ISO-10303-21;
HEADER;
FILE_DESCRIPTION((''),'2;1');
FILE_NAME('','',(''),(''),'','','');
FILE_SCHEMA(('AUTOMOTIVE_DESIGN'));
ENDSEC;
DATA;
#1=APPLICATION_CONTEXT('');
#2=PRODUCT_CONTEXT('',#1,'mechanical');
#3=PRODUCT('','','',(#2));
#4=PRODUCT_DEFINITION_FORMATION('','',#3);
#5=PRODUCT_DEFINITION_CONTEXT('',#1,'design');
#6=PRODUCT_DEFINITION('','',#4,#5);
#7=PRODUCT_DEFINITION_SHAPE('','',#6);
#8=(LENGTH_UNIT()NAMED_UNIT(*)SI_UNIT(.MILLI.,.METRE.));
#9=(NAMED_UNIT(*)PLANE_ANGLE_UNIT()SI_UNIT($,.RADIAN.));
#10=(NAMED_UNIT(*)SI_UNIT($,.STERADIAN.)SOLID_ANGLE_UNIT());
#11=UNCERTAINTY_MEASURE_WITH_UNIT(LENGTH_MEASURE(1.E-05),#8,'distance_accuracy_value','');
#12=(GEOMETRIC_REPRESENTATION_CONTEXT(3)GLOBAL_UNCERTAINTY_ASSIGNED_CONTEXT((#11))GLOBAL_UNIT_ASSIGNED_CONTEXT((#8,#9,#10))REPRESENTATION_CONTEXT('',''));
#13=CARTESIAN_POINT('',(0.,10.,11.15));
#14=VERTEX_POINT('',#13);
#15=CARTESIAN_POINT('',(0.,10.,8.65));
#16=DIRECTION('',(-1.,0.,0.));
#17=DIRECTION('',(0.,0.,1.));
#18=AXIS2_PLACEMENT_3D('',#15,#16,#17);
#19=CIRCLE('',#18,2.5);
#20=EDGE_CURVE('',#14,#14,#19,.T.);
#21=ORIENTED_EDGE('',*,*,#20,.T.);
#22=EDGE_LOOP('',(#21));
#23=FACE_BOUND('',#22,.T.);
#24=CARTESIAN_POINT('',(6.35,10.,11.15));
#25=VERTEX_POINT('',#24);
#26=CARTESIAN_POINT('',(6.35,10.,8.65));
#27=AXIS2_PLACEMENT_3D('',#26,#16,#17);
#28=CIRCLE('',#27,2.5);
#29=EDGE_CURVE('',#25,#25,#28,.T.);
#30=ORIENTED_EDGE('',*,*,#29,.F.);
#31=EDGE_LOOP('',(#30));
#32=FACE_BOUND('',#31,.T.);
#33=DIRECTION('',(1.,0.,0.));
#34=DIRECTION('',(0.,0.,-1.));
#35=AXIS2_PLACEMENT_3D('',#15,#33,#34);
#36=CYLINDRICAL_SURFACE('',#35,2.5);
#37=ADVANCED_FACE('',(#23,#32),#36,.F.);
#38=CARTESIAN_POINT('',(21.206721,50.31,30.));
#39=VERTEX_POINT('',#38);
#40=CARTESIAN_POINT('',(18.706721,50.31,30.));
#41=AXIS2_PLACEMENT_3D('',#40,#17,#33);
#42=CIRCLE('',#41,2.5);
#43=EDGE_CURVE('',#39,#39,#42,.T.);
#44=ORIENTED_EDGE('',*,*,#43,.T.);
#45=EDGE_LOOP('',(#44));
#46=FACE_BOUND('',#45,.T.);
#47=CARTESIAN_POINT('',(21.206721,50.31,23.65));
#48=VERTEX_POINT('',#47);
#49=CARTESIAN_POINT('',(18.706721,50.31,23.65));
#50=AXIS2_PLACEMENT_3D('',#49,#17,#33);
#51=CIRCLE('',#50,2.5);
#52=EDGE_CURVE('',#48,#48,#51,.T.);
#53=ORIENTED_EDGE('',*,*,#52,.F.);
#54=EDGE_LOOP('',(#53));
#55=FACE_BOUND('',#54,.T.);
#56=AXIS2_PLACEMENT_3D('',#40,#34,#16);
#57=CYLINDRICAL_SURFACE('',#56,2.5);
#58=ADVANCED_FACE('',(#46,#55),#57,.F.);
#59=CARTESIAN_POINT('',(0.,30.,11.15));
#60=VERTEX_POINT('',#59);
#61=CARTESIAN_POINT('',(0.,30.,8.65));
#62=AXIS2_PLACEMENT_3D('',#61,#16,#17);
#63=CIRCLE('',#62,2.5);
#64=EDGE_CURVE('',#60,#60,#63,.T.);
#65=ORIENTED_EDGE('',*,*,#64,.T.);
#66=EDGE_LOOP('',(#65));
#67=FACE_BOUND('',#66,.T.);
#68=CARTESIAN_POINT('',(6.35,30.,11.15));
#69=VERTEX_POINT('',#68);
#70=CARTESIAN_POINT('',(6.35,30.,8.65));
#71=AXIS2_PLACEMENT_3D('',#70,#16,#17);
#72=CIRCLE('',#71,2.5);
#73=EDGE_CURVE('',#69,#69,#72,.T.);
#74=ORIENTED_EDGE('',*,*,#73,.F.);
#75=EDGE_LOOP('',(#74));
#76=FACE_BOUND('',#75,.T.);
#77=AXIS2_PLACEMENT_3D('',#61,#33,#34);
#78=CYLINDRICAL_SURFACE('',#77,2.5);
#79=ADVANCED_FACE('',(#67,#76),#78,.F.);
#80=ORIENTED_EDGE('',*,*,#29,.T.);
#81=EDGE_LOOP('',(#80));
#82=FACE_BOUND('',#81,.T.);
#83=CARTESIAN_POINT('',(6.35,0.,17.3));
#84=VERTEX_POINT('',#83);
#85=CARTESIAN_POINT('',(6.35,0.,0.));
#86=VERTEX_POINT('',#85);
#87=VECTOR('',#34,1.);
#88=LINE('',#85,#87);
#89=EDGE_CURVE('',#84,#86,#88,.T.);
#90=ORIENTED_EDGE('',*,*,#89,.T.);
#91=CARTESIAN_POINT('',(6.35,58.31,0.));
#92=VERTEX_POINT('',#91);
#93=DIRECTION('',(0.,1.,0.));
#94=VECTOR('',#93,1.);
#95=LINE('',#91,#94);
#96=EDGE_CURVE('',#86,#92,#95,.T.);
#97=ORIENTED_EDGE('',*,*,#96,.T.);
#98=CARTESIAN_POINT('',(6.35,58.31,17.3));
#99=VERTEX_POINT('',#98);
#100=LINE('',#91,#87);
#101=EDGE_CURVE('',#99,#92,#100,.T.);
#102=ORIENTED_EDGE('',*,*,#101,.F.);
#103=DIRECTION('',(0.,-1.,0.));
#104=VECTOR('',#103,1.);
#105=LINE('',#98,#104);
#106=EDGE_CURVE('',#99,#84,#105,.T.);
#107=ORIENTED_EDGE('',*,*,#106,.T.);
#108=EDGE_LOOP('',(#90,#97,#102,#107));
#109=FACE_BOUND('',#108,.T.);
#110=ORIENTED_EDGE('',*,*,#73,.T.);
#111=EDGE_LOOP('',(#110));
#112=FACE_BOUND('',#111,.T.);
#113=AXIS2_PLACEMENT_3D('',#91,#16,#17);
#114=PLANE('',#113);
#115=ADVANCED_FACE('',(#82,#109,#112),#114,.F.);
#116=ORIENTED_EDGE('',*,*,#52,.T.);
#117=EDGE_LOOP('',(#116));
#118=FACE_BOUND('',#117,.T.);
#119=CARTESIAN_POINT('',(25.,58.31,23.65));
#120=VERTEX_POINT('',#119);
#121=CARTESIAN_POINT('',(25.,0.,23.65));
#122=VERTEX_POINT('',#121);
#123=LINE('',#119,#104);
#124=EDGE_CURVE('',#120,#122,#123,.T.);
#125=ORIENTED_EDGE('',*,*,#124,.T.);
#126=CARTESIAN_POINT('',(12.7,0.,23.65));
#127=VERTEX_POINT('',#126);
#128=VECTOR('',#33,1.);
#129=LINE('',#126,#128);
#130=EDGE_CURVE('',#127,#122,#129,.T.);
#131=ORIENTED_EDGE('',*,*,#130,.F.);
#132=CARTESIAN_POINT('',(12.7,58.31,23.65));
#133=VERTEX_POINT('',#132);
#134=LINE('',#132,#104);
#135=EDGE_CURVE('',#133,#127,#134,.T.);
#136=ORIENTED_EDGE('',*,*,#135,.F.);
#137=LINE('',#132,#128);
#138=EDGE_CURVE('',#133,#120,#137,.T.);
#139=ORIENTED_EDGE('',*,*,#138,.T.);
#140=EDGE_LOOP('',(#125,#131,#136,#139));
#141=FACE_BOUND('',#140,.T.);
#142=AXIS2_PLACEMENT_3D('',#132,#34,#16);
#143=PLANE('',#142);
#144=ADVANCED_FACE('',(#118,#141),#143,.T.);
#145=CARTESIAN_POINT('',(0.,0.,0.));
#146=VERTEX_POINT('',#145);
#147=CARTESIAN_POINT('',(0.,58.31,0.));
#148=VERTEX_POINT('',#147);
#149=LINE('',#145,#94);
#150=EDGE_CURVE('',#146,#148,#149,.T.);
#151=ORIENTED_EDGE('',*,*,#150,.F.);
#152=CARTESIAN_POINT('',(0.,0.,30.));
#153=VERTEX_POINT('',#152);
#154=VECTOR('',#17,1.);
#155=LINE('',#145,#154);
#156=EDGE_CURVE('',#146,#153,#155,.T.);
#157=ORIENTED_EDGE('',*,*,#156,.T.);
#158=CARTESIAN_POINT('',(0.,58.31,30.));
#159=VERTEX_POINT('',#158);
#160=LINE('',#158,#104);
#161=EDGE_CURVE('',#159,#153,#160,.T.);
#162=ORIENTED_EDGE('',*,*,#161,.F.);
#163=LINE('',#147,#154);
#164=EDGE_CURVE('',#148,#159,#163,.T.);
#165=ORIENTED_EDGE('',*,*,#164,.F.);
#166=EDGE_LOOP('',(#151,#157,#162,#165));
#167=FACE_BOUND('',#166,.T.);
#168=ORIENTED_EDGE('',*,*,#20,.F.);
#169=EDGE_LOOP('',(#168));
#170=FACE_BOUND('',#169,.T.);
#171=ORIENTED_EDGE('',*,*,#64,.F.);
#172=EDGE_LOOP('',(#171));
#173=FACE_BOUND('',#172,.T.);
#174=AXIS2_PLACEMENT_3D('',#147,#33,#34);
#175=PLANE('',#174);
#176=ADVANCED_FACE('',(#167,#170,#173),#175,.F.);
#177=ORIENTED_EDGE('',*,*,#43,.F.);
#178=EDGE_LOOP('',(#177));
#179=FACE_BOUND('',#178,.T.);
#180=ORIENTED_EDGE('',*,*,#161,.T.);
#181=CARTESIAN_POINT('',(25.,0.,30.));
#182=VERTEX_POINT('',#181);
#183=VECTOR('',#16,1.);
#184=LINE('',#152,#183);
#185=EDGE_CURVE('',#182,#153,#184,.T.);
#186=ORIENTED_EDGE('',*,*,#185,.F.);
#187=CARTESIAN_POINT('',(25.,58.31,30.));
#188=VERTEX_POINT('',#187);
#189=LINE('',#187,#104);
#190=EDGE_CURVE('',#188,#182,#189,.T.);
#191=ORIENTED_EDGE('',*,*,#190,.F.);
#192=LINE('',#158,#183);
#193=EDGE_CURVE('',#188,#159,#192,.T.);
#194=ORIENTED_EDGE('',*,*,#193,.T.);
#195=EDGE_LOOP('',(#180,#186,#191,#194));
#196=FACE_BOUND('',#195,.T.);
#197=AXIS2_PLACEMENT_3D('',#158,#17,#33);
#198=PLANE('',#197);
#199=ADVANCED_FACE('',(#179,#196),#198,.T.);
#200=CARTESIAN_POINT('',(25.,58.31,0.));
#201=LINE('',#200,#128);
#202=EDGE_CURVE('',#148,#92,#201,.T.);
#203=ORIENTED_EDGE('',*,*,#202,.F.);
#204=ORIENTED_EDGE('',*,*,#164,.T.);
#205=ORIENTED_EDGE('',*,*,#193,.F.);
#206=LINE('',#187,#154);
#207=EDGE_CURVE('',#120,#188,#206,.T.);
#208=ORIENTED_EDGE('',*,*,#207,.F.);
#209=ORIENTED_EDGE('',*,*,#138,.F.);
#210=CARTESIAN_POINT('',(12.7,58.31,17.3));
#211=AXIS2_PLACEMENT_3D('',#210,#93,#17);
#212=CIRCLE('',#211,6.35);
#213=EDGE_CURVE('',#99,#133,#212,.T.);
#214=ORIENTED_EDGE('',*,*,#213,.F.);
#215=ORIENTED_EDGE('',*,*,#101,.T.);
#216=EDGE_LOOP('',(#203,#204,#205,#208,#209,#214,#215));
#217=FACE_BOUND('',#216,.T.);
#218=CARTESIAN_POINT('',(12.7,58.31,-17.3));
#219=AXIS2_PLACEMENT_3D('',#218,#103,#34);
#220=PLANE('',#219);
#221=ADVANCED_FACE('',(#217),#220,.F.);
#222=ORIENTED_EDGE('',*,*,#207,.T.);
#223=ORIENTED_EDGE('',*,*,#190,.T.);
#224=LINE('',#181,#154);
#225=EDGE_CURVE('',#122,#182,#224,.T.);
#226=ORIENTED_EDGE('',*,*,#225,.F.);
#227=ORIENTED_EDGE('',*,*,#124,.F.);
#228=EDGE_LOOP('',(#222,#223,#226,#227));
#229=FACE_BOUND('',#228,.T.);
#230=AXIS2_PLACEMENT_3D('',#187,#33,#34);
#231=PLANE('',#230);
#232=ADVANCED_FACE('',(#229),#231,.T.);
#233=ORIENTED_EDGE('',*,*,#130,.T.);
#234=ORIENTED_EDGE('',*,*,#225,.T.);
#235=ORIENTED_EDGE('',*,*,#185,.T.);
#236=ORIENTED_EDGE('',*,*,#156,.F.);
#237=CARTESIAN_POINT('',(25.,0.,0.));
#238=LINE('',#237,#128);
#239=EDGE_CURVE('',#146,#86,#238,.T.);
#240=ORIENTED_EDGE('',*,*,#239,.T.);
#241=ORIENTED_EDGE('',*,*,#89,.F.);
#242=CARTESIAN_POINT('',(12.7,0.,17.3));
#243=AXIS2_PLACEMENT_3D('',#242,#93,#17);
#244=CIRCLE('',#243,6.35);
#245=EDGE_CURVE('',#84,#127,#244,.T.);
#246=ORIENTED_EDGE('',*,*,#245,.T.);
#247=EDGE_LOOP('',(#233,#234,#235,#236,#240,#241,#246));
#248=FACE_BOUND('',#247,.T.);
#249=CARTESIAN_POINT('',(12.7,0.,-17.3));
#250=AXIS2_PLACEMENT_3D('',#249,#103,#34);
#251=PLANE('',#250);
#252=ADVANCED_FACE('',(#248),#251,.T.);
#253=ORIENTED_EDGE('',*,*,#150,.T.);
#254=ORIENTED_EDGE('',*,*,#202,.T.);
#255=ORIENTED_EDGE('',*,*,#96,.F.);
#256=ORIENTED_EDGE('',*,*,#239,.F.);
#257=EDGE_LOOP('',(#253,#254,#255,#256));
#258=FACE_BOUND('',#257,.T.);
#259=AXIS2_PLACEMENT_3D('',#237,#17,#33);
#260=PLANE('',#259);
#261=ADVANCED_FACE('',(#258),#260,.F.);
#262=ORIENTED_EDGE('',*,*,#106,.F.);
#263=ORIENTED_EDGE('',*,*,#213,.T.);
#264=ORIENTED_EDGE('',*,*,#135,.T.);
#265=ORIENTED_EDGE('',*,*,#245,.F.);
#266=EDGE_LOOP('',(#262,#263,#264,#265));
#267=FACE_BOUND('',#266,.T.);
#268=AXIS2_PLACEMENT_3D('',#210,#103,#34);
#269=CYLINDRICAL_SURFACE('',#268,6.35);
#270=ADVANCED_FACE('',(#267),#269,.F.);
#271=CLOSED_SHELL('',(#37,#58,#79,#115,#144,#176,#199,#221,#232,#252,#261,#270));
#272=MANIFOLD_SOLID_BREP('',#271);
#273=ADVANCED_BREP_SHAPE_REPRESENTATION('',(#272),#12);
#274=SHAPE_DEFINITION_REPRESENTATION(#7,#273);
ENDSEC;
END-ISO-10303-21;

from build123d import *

# Parameters (mm, degrees)
BOSS_EXTRUDE1_DEPTH = 58.31
SKETCH3_R           = 2.5
CUT_EXTRUDE1_DEPTH  = 7.35
SKETCH4_R           = 2.5
CUT_EXTRUDE2_DEPTH  = 7.35
SKETCH5_W           = 25
SKETCH5_H           = 30
CUT_EXTRUDE3_DEPTH  = 59.31


with BuildPart() as part:
    # Sketch2 → Boss-Extrude1 (new body)
    with BuildSketch(Plane(origin=(0, 0, 0), x_dir=(1, 0, 0), z_dir=(0, 1, 0))):
        with BuildLine():
            Line((0, 0), (0, 30))
            Line((0, 30), (25, 30))
            Line((25, 30), (25, 23.65))
            Line((25, 23.65), (12.7, 23.65))
            ThreePointArc((12.7, 23.65), (8.209871939, 21.790128061), (6.35, 17.3))
            Line((6.35, 17.3), (6.35, 0))
            Line((6.35, 0), (0, 0))
        make_face()
    boss_extrude1 = extrude(amount=BOSS_EXTRUDE1_DEPTH)

    # Sketch3 → Cut-Extrude1 (cut, through all)
    with BuildSketch(Plane(origin=(6.35, 0, 0), x_dir=(0, 0, -1), z_dir=(1, 0, 0))):
        with Locations((8.65, 10)):
            Circle(SKETCH3_R)
        with Locations((8.65, 30)):
            Circle(SKETCH3_R)
    cut_extrude1 = extrude(amount=-CUT_EXTRUDE1_DEPTH, mode=Mode.SUBTRACT)

    # Sketch4 → Cut-Extrude2 (cut, through all)
    with BuildSketch(Plane.XY.offset(-23.65)):
        with Locations((18.706720962, 50.31)):
            Circle(SKETCH4_R)
    cut_extrude2 = extrude(amount=-CUT_EXTRUDE2_DEPTH, mode=Mode.SUBTRACT)

    # Mirror1: Boss-Extrude1, Cut-Extrude1, Cut-Extrude2 across plane
    add(boss_extrude1.mirror(Plane(origin=(0, 58.31, 0), x_dir=(1, 0, 0), z_dir=(0, 0, -1))))
    add(cut_extrude1.mirror(Plane(origin=(0, 58.31, 0), x_dir=(1, 0, 0), z_dir=(0, 0, -1))), mode=Mode.SUBTRACT)
    add(cut_extrude2.mirror(Plane(origin=(0, 58.31, 0), x_dir=(1, 0, 0), z_dir=(0, 0, -1))), mode=Mode.SUBTRACT)

    # Sketch5 → Cut-Extrude3 (cut, through all)
    with BuildSketch(Plane(origin=(0, 58.31, 0), x_dir=(1, 0, 0), z_dir=(0, 1, 0))):
        with Locations((12.5, 15)):
            Rectangle(SKETCH5_W, SKETCH5_H)
    extrude(amount=-CUT_EXTRUDE3_DEPTH, mode=Mode.SUBTRACT)


solid = part.part
